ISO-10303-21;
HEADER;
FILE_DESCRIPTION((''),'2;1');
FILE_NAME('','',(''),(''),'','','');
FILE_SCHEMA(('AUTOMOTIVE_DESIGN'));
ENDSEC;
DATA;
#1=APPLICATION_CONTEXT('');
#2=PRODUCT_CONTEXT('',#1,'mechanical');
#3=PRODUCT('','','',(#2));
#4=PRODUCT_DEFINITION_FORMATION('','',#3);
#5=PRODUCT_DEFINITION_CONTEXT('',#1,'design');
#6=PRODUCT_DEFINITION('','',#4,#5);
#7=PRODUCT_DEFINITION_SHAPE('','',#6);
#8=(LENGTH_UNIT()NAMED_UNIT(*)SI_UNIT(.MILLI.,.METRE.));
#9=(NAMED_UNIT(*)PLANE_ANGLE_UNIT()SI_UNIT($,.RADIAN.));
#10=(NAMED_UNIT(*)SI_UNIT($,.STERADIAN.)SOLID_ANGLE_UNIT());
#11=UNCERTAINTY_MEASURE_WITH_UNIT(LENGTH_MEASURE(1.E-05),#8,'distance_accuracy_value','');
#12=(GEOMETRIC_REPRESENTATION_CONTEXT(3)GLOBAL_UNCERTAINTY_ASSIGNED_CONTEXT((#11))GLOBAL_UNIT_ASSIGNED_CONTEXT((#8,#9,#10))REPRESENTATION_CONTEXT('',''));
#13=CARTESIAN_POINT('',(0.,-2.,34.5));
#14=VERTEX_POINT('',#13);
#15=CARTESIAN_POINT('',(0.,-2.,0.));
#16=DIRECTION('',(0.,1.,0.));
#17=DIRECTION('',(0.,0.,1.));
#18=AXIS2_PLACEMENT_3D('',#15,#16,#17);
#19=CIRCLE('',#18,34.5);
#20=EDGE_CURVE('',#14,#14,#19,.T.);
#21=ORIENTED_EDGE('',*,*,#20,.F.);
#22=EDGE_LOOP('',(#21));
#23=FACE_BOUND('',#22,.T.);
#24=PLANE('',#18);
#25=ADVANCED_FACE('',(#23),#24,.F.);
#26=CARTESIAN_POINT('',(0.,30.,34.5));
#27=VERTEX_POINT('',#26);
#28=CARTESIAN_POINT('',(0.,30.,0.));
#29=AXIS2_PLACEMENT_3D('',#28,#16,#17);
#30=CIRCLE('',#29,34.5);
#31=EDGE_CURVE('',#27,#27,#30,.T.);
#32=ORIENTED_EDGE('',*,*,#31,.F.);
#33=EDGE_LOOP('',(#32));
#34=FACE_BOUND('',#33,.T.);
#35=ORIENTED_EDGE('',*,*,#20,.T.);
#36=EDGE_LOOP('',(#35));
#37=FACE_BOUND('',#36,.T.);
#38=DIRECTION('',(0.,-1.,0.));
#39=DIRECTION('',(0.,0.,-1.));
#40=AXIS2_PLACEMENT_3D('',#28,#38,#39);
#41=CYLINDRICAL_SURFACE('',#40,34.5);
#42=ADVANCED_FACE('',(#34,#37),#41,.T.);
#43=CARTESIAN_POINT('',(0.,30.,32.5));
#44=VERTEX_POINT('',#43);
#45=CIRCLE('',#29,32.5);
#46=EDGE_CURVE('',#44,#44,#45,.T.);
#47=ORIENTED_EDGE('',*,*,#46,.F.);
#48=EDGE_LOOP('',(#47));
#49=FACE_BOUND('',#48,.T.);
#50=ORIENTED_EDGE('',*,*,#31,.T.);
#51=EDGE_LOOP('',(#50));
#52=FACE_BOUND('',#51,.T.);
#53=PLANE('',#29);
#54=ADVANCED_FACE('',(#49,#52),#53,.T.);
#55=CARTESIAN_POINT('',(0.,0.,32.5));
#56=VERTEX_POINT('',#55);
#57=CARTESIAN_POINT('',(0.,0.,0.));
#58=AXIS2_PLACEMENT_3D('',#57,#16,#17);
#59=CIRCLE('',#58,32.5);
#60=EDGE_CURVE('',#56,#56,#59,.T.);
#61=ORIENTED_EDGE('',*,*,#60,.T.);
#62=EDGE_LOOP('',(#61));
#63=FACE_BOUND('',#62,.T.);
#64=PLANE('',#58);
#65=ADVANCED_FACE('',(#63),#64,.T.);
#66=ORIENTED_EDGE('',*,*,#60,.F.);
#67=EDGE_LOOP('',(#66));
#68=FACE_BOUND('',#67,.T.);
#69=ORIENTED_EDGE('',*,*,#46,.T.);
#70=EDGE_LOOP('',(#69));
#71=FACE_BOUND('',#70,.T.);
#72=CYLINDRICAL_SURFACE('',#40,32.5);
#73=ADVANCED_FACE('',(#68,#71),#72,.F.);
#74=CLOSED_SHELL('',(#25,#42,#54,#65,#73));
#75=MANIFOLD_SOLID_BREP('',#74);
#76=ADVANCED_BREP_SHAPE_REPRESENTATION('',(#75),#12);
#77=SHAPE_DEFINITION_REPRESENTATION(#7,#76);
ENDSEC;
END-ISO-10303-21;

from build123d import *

# Parameters (mm, degrees)
CROQUIS1_R              = 32.5
SALIENTE_EXTRUIR1_DEPTH = 30
VACIADO1_T              = 2


with BuildPart() as part:
    # Croquis1 → Saliente-Extruir1 (new body)
    with BuildSketch(Plane(origin=(0, 0, 0), x_dir=(1, 0, 0), z_dir=(0, 1, 0))):
        with Locations(Location((0, 0, 0), (0, 0, 270))):
            Circle(CROQUIS1_R)
    extrude(amount=SALIENTE_EXTRUIR1_DEPTH)

    # Vaciado1
    vaciado1_openings = [part.faces().sort_by_distance(p)[0] for p in [
        (0, 30, 0),
    ]]
    offset(amount=VACIADO1_T, openings=vaciado1_openings, kind=Kind.INTERSECTION)


solid = part.part
